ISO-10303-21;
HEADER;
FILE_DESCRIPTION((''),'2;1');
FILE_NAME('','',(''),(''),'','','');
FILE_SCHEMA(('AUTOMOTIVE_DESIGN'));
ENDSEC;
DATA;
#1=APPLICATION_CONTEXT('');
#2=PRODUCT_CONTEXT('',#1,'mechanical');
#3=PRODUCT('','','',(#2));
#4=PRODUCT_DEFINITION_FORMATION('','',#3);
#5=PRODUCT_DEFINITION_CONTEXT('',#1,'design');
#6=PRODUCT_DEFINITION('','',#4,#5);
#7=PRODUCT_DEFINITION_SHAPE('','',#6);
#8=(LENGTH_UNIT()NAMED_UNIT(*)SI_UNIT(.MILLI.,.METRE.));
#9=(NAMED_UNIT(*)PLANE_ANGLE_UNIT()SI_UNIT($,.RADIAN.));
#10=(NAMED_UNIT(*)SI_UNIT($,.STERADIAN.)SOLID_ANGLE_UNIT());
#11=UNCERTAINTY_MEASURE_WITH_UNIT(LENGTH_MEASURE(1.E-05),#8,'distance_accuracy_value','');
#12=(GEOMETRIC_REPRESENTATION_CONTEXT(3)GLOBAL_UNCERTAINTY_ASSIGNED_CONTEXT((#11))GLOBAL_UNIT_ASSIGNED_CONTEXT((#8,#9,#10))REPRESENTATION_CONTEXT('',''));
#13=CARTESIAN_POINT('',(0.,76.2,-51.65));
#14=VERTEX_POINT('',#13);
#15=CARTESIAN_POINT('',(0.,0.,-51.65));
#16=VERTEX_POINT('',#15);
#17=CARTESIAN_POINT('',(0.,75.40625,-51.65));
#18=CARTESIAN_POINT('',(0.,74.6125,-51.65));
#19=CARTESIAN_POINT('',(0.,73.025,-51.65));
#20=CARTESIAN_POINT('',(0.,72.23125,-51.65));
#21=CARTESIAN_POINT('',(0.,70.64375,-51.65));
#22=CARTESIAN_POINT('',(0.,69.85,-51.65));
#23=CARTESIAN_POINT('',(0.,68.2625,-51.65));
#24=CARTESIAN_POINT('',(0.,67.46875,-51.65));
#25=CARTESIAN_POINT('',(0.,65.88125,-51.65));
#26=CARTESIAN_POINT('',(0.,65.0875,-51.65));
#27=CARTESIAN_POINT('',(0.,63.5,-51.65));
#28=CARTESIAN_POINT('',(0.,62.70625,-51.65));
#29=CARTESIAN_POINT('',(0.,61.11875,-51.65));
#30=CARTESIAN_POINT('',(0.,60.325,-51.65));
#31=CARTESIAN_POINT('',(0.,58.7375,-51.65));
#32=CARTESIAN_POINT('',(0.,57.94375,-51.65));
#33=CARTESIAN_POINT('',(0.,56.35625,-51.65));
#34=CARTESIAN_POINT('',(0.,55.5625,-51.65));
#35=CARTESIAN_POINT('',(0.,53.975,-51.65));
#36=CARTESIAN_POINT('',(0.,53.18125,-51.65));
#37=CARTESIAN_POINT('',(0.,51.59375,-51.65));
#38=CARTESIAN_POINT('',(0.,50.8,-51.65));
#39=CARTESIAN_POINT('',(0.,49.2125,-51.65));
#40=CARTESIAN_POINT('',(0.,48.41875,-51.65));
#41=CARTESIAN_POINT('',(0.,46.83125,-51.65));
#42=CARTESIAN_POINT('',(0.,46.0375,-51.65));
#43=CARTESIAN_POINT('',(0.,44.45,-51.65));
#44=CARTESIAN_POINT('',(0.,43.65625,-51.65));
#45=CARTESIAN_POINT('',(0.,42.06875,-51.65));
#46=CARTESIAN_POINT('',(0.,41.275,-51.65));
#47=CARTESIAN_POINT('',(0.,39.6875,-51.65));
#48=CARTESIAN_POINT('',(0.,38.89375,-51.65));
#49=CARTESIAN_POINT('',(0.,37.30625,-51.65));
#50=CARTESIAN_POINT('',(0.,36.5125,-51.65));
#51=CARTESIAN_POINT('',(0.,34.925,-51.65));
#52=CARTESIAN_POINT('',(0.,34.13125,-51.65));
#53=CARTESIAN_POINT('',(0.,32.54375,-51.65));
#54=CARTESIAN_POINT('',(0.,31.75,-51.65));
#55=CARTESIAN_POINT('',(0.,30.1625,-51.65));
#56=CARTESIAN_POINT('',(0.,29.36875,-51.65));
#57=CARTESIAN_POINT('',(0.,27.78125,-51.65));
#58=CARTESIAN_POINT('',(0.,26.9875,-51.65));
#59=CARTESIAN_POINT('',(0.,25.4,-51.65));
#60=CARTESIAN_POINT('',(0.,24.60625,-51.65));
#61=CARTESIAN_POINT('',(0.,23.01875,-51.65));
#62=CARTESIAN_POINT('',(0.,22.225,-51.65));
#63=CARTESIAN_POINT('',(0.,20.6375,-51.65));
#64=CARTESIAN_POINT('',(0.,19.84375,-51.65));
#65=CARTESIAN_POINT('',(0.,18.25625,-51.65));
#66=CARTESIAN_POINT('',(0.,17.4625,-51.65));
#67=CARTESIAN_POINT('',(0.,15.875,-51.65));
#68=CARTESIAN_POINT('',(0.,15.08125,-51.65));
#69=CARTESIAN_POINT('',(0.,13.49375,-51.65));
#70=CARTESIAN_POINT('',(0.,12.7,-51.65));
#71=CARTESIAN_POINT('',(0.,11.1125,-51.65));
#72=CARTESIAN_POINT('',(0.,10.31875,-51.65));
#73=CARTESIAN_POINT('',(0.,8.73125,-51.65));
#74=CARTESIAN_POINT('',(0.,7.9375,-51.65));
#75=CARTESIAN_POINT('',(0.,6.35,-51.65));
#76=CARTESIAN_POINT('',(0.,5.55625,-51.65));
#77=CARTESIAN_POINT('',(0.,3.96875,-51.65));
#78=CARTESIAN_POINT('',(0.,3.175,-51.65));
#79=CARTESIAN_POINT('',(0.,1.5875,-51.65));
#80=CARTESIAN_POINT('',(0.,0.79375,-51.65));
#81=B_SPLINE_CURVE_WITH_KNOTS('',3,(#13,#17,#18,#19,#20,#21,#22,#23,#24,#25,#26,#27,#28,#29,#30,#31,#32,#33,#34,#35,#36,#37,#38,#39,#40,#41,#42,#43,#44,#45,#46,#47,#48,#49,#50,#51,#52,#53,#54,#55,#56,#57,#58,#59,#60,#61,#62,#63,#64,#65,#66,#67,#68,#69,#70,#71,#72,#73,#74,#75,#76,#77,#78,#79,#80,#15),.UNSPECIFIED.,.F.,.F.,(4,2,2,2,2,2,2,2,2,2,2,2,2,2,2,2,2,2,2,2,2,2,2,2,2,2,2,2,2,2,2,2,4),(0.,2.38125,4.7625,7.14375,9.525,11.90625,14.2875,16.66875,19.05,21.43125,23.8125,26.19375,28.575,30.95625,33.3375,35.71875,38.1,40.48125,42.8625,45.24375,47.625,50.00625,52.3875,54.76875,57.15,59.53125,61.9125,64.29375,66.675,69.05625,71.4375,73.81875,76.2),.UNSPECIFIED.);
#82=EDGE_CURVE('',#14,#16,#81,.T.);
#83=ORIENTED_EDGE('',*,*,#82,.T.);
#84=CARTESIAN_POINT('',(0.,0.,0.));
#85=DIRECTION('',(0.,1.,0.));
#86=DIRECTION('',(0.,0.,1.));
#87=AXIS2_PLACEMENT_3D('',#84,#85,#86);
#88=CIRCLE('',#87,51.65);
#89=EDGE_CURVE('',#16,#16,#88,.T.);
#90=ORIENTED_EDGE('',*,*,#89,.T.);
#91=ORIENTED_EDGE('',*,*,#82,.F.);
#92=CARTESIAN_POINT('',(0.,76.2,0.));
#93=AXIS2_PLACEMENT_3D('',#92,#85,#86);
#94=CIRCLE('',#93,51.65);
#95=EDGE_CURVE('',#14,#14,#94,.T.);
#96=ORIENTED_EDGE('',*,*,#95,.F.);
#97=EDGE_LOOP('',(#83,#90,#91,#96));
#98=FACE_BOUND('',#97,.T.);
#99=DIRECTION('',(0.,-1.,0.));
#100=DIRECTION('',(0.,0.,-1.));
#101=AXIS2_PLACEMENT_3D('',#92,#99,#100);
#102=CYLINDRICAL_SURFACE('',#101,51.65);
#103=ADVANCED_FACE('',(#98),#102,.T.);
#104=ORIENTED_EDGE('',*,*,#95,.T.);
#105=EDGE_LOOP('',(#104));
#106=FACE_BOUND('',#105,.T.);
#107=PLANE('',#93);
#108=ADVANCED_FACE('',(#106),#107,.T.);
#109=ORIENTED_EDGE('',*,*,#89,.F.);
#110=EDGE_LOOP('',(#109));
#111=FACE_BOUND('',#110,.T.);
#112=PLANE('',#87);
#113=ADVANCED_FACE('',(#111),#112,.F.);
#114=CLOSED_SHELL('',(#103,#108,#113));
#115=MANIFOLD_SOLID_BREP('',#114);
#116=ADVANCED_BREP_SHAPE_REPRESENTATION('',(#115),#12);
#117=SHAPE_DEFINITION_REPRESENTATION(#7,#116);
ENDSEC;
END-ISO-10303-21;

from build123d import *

# Parameters (mm, degrees)
SKETCH1_R           = 51.65
BOSS_EXTRUDE1_DEPTH = 76.2


with BuildPart() as part:
    # Sketch1 → Boss-Extrude1 (new body)
    with BuildSketch(Plane(origin=(0, 0, 0), x_dir=(1, 0, 0), z_dir=(0, 1, 0))):
        Circle(SKETCH1_R)
    extrude(amount=BOSS_EXTRUDE1_DEPTH)


solid = part.part
